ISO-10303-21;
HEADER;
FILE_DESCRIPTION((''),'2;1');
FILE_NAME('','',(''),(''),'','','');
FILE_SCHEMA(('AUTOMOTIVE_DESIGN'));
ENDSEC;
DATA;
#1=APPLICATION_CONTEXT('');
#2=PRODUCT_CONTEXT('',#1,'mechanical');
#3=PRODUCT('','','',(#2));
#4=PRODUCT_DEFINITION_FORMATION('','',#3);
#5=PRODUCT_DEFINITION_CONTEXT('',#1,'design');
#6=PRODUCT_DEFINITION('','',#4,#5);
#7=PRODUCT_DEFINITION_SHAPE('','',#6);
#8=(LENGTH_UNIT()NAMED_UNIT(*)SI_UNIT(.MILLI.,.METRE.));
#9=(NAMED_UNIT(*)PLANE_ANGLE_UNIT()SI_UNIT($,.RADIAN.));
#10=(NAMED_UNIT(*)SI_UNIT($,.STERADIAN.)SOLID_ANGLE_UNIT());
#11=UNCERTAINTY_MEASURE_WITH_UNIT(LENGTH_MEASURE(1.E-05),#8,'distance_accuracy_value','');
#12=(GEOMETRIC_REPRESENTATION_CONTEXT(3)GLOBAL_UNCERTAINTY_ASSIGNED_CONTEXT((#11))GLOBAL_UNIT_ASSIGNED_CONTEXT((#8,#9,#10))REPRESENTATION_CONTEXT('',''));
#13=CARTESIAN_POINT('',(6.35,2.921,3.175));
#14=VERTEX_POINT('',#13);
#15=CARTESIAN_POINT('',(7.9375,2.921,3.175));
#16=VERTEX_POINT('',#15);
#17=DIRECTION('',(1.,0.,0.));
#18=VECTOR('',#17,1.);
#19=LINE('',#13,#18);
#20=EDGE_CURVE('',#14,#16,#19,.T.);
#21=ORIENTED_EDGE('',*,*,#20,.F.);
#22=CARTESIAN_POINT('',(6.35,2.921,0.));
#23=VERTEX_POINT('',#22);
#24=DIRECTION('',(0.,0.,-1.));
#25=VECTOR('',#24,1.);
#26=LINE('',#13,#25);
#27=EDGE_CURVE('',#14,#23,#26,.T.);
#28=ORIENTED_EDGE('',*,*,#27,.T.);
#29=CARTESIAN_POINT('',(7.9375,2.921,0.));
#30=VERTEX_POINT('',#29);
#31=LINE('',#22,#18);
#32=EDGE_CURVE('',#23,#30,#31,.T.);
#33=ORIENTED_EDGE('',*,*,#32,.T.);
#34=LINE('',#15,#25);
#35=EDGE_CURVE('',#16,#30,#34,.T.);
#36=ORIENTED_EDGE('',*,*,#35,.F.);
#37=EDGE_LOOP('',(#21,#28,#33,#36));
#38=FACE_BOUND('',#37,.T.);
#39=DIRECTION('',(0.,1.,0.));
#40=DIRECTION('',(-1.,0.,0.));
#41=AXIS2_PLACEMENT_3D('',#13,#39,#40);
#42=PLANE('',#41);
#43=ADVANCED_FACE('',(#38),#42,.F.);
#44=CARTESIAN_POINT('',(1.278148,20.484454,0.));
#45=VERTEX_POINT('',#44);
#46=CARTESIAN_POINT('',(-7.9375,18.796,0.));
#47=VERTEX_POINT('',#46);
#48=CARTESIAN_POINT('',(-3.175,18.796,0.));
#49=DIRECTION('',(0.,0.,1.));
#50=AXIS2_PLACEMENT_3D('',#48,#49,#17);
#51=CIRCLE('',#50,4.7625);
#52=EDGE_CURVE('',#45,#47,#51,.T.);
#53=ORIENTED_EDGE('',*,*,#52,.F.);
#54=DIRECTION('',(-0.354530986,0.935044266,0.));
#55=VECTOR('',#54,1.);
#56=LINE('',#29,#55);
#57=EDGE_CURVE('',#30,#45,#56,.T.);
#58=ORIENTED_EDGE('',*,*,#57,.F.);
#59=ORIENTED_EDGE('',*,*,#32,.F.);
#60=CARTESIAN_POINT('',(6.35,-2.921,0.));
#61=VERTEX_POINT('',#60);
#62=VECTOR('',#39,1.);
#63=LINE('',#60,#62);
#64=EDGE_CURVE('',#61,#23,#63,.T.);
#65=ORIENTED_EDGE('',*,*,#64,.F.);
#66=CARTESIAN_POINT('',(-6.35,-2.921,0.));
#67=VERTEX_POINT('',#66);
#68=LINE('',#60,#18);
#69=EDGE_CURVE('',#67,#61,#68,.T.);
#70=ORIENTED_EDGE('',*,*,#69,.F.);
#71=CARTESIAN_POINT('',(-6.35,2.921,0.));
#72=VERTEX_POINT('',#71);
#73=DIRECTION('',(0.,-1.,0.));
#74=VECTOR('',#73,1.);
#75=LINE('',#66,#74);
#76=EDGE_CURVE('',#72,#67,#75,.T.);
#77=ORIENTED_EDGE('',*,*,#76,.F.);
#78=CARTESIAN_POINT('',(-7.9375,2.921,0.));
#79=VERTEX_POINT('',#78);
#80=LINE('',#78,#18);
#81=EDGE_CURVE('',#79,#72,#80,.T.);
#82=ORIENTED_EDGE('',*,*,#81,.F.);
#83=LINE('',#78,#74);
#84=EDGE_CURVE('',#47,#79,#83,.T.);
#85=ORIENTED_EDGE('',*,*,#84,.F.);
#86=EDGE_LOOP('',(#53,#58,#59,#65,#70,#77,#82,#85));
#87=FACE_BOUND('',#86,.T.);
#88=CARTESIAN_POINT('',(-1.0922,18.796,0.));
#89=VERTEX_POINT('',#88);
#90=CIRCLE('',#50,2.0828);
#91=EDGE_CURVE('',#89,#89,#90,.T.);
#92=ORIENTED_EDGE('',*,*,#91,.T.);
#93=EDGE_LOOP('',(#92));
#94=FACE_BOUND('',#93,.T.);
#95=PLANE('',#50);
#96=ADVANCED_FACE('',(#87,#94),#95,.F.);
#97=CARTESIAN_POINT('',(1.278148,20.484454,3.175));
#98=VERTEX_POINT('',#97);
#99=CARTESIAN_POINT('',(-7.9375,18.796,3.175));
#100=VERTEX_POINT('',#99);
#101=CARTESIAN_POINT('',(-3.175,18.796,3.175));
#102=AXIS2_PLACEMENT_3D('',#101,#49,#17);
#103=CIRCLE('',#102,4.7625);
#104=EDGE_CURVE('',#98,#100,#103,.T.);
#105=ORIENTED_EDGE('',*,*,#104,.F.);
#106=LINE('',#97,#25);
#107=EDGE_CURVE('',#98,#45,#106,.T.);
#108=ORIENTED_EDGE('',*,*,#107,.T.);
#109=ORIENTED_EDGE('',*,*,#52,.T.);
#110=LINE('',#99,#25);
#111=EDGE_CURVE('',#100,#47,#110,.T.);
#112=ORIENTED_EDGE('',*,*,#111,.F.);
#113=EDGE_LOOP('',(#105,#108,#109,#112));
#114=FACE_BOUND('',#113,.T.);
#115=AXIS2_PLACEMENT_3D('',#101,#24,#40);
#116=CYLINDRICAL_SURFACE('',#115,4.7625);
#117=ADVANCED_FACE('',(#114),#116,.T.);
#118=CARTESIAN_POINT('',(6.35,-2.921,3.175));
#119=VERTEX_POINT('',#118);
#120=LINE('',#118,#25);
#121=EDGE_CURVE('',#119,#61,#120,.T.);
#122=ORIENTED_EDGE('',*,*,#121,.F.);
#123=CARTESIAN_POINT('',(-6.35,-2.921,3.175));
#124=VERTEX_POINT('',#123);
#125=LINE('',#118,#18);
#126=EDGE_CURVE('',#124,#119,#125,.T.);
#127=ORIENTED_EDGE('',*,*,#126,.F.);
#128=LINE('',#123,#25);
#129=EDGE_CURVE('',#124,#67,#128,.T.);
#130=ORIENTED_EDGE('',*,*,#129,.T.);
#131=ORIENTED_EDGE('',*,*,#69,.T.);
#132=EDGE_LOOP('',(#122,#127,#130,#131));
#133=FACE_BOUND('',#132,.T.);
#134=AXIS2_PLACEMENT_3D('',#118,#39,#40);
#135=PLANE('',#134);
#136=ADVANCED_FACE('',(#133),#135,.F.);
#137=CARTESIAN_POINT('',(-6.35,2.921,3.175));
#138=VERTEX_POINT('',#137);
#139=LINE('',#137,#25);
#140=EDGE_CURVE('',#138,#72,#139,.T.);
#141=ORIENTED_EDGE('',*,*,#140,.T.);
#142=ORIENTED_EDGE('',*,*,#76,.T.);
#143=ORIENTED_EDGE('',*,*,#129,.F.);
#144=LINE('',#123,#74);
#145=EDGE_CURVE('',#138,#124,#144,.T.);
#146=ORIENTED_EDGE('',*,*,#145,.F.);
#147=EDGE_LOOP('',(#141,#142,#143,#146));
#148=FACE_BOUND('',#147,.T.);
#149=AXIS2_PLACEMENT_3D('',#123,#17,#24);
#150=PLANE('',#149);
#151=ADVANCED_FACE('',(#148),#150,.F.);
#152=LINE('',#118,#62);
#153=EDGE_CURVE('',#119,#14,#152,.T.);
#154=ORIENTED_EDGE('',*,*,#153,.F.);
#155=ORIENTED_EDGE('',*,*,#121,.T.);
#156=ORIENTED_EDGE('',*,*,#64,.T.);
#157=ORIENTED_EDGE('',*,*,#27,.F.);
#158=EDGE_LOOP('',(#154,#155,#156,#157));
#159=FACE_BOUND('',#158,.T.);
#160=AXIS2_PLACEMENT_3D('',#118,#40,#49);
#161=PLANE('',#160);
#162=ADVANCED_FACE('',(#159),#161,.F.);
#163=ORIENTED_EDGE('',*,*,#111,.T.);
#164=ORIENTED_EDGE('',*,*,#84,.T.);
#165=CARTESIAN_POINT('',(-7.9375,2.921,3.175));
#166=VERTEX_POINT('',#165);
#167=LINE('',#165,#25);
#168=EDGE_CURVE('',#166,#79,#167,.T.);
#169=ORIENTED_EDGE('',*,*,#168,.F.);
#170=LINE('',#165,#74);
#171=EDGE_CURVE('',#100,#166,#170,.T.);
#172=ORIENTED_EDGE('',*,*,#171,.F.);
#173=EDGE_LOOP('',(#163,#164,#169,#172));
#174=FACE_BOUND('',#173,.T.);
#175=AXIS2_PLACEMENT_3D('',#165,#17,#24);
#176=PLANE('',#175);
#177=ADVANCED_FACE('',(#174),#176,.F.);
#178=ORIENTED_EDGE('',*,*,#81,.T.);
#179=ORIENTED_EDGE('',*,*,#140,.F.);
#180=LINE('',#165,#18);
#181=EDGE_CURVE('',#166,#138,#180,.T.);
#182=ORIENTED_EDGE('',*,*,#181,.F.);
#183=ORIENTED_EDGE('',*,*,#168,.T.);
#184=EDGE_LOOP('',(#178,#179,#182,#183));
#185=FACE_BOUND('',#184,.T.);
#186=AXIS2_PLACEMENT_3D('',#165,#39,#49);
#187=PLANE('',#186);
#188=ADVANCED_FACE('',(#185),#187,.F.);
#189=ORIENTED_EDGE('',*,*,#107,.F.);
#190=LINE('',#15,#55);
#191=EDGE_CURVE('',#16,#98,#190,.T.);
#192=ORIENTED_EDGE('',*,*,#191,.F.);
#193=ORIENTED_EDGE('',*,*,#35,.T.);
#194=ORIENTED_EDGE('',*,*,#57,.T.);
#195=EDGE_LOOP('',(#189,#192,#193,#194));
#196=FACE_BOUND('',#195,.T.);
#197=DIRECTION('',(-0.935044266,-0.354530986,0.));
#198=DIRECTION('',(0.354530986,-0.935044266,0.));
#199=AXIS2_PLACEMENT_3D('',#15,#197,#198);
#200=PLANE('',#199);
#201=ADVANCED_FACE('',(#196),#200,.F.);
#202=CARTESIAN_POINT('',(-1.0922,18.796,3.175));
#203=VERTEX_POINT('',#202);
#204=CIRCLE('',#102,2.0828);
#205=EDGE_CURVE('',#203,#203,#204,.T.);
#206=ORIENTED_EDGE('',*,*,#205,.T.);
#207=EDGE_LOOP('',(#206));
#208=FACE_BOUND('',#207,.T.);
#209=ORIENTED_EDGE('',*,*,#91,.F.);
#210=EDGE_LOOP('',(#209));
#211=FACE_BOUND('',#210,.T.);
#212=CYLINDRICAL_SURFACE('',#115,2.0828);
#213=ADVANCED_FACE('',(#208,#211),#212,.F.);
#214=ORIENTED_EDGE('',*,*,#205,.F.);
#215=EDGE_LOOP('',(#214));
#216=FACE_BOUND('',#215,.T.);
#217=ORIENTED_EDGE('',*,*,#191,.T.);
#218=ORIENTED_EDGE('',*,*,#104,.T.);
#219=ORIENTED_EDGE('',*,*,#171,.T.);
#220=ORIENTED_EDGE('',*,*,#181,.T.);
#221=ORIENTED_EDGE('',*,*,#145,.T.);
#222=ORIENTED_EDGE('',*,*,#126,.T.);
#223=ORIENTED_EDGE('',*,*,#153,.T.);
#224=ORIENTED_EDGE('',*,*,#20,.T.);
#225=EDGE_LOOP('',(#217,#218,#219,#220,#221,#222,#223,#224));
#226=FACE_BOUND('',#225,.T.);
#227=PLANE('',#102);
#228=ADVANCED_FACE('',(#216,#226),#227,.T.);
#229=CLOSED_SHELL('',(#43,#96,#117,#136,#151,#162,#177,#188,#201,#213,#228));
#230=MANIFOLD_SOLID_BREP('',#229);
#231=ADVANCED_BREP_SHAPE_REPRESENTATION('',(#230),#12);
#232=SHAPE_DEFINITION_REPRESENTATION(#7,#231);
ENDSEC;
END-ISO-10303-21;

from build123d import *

# Parameters (mm, degrees)
SKETCH1_R           = 2.0828
BOSS_EXTRUDE1_DEPTH = 3.175


with BuildPart() as part:
    # Sketch1 → Boss-Extrude1 (new body)
    with BuildSketch(Plane.XY):
        with BuildLine():
            Line((7.9375, 2.921), (1.278148318, 20.484453822))
            ThreePointArc((1.278148318, 20.484453822), (-4.033279496, 23.480523728), (-7.9375, 18.796))
            Line((-7.9375, 18.796), (-7.9375, 2.921))
            Line((-7.9375, 2.921), (-6.35, 2.921))
            Line((-6.35, 2.921), (-6.35, -2.921))
            Line((-6.35, -2.921), (6.35, -2.921))
            Line((6.35, -2.921), (6.35, 2.921))
            Line((6.35, 2.921), (7.9375, 2.921))
        make_face()
        with Locations((-3.175, 18.796)):
            Circle(SKETCH1_R, mode=Mode.SUBTRACT)
    extrude(amount=BOSS_EXTRUDE1_DEPTH)


solid = part.part
